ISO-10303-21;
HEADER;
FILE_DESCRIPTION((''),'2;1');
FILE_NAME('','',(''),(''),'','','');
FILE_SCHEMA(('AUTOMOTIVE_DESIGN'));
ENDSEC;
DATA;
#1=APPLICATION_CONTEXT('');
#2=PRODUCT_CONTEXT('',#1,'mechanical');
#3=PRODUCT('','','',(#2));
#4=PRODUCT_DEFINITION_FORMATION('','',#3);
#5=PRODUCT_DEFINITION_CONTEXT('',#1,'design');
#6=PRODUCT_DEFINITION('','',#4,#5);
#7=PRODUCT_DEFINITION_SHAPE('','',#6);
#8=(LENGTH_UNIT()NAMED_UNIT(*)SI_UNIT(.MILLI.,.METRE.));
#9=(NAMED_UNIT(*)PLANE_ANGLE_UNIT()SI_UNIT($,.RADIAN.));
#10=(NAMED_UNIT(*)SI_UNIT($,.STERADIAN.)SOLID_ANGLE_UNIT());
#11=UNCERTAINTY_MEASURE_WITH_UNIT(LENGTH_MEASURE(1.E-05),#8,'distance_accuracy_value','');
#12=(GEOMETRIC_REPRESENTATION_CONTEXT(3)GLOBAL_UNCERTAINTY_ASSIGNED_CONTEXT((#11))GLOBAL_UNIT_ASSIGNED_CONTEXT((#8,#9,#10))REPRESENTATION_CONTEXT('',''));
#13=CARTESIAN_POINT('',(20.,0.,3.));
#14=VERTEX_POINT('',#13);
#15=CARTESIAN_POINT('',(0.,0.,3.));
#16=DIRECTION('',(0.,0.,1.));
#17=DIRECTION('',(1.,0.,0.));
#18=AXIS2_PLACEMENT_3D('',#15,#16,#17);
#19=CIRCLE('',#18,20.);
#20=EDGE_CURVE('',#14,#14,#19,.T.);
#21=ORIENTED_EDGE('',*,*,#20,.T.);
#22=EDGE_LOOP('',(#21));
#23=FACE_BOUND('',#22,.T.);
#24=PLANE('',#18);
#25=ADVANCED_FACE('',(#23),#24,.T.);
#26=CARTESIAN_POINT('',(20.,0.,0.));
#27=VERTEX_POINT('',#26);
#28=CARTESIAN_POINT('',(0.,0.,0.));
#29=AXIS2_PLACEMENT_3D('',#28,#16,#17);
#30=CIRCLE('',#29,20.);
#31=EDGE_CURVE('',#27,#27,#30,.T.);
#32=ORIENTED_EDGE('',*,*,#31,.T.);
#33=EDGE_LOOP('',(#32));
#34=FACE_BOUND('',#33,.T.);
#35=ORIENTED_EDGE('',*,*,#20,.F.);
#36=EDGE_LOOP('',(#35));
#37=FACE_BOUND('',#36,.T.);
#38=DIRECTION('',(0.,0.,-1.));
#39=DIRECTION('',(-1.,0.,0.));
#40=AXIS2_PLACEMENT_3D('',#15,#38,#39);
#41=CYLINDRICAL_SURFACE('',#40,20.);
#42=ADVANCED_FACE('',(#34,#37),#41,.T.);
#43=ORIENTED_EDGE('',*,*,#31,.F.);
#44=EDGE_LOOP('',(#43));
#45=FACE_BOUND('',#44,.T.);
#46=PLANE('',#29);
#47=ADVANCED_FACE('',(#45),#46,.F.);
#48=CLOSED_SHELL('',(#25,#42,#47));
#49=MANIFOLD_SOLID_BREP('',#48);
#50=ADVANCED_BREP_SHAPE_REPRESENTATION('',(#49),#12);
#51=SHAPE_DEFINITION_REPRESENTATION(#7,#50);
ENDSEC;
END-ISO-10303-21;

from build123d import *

# Parameters (mm, degrees)
SKETCH_1_R      = 20
EXTRUDE_1_DEPTH = 3


with BuildPart() as part:
    # 草图1 → 凸台-拉伸1 (new body)
    with BuildSketch(Plane.XY):
        Circle(SKETCH_1_R)
    extrude(amount=EXTRUDE_1_DEPTH)


solid = part.part
